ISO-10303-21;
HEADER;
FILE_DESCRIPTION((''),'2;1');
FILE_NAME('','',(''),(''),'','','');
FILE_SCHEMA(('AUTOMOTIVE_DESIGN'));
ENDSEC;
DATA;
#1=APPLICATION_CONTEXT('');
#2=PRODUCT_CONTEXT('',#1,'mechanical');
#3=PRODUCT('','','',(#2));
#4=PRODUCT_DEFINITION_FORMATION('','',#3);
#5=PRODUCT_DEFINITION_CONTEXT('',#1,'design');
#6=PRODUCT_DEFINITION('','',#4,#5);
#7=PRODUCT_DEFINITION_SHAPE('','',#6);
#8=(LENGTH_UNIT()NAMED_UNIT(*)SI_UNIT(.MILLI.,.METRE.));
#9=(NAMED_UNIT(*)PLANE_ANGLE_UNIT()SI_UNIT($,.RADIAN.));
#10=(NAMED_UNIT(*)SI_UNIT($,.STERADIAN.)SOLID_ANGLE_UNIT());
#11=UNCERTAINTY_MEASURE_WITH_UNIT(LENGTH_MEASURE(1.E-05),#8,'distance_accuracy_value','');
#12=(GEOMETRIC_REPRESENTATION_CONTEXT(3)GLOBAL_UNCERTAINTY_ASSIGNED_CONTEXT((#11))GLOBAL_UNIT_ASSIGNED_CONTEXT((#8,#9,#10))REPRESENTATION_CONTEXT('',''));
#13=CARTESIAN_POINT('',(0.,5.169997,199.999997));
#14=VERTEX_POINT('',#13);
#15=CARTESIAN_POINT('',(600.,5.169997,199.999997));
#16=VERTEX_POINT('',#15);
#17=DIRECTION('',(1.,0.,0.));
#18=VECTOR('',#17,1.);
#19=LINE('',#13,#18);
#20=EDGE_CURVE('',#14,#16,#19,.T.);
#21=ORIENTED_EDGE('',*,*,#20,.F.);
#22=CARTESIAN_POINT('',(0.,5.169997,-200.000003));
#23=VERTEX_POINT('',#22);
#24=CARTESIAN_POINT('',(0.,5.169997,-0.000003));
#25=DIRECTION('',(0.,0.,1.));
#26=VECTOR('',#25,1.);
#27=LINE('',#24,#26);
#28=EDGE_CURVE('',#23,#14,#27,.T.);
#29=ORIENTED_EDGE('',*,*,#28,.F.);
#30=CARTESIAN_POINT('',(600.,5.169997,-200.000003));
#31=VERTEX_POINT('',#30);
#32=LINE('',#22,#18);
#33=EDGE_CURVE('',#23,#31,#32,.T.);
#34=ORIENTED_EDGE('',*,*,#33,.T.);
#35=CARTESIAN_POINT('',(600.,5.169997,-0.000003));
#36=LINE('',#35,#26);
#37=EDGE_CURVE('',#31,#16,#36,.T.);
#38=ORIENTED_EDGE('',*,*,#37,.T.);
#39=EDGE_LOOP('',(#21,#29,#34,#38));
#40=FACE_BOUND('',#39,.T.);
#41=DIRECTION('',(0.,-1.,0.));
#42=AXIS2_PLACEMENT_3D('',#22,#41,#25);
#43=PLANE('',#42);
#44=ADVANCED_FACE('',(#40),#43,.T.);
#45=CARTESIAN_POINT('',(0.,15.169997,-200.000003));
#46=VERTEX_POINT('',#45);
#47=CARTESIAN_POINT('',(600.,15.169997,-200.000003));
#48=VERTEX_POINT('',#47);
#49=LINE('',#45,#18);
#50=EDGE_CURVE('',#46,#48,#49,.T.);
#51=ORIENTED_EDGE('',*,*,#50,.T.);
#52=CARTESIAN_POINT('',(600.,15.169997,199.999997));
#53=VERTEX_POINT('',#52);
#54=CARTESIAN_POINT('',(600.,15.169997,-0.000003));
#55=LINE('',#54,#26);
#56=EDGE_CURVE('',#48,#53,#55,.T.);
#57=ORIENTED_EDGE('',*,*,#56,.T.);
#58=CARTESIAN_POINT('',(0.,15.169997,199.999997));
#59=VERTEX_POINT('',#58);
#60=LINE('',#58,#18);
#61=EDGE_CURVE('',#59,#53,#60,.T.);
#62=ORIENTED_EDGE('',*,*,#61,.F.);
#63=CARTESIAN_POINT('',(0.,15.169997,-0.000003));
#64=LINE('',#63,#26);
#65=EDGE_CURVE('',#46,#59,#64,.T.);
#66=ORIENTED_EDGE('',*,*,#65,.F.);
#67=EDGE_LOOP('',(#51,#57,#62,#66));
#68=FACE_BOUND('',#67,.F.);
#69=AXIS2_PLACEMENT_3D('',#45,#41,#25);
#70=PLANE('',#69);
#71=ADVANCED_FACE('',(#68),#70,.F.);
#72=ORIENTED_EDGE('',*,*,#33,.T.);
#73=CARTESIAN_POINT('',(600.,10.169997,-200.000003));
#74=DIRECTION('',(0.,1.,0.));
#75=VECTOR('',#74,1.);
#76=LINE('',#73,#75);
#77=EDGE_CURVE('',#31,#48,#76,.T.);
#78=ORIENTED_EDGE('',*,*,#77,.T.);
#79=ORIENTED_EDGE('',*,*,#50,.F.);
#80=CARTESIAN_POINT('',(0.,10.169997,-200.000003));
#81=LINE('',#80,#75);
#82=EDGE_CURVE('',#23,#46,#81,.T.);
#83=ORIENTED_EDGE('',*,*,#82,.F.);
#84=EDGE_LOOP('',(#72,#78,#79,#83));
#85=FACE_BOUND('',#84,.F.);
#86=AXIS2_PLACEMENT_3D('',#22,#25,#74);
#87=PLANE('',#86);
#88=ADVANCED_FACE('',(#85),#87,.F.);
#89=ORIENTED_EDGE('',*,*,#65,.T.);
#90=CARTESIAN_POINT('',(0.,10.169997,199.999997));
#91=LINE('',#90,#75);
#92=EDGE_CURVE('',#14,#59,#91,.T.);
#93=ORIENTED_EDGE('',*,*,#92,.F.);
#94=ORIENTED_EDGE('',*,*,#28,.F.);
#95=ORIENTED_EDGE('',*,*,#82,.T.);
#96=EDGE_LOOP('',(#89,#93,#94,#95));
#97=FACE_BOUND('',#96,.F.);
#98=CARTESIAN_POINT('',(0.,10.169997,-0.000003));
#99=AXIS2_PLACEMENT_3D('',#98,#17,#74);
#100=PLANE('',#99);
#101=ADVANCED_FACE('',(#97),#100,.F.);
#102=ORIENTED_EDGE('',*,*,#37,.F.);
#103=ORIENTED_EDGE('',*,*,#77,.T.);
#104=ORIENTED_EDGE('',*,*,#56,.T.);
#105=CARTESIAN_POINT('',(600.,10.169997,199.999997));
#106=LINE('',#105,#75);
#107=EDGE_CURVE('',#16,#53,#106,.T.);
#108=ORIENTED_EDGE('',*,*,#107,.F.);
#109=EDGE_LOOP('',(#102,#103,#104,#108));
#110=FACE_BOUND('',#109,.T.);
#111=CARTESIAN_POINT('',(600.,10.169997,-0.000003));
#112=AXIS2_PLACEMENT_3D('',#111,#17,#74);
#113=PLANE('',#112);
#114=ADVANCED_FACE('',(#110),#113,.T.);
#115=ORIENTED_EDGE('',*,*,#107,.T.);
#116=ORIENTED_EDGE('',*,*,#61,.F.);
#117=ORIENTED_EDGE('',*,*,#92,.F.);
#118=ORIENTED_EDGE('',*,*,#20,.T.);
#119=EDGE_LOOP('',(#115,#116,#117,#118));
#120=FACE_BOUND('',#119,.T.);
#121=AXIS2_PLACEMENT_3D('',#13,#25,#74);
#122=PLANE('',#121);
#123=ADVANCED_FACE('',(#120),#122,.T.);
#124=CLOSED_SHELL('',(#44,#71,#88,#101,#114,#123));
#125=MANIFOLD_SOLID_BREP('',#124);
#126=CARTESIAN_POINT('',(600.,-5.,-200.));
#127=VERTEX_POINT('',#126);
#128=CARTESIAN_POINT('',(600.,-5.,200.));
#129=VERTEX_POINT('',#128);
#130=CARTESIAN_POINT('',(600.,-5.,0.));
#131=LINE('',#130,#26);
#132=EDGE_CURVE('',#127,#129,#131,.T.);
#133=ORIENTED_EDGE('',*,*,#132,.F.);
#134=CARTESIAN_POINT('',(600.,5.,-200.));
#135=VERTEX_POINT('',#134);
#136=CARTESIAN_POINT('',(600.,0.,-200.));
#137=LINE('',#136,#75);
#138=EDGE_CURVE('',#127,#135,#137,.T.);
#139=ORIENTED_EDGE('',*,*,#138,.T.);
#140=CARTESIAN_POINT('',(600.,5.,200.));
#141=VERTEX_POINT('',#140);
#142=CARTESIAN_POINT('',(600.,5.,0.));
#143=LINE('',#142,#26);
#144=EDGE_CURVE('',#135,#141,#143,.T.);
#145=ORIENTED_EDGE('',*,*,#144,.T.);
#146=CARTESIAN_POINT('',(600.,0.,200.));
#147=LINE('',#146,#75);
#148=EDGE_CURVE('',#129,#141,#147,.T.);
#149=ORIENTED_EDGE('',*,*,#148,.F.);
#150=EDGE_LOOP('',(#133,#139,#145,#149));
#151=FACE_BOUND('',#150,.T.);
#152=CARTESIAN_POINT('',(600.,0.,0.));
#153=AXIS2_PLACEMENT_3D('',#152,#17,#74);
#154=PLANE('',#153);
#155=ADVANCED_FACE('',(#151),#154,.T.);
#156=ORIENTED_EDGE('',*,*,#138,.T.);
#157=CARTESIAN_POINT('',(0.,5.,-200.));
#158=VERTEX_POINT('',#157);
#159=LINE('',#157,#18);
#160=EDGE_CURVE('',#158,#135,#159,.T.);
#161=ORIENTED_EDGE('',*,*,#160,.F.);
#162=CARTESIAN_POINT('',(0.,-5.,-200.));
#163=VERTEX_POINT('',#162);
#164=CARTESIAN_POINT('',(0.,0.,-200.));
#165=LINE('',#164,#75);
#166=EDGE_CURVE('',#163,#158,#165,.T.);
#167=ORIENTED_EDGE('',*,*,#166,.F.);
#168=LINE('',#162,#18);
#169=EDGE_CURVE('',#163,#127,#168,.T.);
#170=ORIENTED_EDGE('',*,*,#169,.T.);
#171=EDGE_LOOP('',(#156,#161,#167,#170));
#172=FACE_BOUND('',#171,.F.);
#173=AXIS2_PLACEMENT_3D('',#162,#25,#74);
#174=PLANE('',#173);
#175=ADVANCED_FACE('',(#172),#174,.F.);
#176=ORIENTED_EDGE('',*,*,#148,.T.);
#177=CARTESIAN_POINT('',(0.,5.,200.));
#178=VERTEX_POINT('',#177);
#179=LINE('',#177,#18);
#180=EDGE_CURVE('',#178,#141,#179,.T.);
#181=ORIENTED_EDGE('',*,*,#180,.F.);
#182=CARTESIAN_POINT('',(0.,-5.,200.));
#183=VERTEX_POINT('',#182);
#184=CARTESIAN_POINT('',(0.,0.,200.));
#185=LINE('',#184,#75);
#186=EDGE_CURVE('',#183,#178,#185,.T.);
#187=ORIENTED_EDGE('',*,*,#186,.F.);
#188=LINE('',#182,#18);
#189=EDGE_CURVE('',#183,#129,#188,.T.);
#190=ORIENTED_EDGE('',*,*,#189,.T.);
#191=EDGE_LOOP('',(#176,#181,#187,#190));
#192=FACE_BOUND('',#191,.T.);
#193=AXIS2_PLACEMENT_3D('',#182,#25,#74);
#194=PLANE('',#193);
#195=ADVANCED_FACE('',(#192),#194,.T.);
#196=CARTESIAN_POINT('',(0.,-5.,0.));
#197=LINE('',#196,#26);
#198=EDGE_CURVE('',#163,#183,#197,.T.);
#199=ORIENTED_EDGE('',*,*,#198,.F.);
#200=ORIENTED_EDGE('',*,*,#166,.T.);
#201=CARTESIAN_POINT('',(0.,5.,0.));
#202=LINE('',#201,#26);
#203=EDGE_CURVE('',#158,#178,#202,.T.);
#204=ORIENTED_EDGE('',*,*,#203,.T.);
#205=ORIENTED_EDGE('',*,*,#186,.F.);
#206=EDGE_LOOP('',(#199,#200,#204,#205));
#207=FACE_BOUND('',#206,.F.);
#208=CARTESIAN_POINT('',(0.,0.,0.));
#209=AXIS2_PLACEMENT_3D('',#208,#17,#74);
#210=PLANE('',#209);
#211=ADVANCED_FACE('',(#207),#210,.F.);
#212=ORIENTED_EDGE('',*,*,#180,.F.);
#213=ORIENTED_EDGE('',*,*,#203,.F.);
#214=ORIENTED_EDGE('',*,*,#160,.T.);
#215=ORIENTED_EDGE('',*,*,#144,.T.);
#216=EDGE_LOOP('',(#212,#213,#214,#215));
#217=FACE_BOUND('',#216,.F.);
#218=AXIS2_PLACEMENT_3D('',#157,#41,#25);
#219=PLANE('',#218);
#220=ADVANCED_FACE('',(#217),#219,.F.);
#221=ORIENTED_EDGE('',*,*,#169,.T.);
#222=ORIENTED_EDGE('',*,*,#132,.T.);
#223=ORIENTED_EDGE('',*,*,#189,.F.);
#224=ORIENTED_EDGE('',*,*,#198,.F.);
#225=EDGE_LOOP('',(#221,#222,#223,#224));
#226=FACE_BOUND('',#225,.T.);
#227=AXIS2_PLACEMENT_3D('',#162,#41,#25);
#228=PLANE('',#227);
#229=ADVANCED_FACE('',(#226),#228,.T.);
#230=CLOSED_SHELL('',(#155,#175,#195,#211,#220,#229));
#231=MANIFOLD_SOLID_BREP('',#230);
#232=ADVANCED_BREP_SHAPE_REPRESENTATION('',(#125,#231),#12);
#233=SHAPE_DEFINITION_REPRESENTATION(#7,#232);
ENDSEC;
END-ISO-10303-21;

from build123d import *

# Parameters (mm, degrees)
F0_W     = 10
F0_H     = 400
F1_DEPTH = 600


with BuildPart() as f1:
    # F0 (on Right) → F1 (new body)
    with BuildSketch(Plane.YZ):
        with Locations((10.169997, -3e-06)):
            Rectangle(F0_W, F0_H)
        Rectangle(F0_W, F0_H)
    extrude(amount=F1_DEPTH)


solid = f1.part
